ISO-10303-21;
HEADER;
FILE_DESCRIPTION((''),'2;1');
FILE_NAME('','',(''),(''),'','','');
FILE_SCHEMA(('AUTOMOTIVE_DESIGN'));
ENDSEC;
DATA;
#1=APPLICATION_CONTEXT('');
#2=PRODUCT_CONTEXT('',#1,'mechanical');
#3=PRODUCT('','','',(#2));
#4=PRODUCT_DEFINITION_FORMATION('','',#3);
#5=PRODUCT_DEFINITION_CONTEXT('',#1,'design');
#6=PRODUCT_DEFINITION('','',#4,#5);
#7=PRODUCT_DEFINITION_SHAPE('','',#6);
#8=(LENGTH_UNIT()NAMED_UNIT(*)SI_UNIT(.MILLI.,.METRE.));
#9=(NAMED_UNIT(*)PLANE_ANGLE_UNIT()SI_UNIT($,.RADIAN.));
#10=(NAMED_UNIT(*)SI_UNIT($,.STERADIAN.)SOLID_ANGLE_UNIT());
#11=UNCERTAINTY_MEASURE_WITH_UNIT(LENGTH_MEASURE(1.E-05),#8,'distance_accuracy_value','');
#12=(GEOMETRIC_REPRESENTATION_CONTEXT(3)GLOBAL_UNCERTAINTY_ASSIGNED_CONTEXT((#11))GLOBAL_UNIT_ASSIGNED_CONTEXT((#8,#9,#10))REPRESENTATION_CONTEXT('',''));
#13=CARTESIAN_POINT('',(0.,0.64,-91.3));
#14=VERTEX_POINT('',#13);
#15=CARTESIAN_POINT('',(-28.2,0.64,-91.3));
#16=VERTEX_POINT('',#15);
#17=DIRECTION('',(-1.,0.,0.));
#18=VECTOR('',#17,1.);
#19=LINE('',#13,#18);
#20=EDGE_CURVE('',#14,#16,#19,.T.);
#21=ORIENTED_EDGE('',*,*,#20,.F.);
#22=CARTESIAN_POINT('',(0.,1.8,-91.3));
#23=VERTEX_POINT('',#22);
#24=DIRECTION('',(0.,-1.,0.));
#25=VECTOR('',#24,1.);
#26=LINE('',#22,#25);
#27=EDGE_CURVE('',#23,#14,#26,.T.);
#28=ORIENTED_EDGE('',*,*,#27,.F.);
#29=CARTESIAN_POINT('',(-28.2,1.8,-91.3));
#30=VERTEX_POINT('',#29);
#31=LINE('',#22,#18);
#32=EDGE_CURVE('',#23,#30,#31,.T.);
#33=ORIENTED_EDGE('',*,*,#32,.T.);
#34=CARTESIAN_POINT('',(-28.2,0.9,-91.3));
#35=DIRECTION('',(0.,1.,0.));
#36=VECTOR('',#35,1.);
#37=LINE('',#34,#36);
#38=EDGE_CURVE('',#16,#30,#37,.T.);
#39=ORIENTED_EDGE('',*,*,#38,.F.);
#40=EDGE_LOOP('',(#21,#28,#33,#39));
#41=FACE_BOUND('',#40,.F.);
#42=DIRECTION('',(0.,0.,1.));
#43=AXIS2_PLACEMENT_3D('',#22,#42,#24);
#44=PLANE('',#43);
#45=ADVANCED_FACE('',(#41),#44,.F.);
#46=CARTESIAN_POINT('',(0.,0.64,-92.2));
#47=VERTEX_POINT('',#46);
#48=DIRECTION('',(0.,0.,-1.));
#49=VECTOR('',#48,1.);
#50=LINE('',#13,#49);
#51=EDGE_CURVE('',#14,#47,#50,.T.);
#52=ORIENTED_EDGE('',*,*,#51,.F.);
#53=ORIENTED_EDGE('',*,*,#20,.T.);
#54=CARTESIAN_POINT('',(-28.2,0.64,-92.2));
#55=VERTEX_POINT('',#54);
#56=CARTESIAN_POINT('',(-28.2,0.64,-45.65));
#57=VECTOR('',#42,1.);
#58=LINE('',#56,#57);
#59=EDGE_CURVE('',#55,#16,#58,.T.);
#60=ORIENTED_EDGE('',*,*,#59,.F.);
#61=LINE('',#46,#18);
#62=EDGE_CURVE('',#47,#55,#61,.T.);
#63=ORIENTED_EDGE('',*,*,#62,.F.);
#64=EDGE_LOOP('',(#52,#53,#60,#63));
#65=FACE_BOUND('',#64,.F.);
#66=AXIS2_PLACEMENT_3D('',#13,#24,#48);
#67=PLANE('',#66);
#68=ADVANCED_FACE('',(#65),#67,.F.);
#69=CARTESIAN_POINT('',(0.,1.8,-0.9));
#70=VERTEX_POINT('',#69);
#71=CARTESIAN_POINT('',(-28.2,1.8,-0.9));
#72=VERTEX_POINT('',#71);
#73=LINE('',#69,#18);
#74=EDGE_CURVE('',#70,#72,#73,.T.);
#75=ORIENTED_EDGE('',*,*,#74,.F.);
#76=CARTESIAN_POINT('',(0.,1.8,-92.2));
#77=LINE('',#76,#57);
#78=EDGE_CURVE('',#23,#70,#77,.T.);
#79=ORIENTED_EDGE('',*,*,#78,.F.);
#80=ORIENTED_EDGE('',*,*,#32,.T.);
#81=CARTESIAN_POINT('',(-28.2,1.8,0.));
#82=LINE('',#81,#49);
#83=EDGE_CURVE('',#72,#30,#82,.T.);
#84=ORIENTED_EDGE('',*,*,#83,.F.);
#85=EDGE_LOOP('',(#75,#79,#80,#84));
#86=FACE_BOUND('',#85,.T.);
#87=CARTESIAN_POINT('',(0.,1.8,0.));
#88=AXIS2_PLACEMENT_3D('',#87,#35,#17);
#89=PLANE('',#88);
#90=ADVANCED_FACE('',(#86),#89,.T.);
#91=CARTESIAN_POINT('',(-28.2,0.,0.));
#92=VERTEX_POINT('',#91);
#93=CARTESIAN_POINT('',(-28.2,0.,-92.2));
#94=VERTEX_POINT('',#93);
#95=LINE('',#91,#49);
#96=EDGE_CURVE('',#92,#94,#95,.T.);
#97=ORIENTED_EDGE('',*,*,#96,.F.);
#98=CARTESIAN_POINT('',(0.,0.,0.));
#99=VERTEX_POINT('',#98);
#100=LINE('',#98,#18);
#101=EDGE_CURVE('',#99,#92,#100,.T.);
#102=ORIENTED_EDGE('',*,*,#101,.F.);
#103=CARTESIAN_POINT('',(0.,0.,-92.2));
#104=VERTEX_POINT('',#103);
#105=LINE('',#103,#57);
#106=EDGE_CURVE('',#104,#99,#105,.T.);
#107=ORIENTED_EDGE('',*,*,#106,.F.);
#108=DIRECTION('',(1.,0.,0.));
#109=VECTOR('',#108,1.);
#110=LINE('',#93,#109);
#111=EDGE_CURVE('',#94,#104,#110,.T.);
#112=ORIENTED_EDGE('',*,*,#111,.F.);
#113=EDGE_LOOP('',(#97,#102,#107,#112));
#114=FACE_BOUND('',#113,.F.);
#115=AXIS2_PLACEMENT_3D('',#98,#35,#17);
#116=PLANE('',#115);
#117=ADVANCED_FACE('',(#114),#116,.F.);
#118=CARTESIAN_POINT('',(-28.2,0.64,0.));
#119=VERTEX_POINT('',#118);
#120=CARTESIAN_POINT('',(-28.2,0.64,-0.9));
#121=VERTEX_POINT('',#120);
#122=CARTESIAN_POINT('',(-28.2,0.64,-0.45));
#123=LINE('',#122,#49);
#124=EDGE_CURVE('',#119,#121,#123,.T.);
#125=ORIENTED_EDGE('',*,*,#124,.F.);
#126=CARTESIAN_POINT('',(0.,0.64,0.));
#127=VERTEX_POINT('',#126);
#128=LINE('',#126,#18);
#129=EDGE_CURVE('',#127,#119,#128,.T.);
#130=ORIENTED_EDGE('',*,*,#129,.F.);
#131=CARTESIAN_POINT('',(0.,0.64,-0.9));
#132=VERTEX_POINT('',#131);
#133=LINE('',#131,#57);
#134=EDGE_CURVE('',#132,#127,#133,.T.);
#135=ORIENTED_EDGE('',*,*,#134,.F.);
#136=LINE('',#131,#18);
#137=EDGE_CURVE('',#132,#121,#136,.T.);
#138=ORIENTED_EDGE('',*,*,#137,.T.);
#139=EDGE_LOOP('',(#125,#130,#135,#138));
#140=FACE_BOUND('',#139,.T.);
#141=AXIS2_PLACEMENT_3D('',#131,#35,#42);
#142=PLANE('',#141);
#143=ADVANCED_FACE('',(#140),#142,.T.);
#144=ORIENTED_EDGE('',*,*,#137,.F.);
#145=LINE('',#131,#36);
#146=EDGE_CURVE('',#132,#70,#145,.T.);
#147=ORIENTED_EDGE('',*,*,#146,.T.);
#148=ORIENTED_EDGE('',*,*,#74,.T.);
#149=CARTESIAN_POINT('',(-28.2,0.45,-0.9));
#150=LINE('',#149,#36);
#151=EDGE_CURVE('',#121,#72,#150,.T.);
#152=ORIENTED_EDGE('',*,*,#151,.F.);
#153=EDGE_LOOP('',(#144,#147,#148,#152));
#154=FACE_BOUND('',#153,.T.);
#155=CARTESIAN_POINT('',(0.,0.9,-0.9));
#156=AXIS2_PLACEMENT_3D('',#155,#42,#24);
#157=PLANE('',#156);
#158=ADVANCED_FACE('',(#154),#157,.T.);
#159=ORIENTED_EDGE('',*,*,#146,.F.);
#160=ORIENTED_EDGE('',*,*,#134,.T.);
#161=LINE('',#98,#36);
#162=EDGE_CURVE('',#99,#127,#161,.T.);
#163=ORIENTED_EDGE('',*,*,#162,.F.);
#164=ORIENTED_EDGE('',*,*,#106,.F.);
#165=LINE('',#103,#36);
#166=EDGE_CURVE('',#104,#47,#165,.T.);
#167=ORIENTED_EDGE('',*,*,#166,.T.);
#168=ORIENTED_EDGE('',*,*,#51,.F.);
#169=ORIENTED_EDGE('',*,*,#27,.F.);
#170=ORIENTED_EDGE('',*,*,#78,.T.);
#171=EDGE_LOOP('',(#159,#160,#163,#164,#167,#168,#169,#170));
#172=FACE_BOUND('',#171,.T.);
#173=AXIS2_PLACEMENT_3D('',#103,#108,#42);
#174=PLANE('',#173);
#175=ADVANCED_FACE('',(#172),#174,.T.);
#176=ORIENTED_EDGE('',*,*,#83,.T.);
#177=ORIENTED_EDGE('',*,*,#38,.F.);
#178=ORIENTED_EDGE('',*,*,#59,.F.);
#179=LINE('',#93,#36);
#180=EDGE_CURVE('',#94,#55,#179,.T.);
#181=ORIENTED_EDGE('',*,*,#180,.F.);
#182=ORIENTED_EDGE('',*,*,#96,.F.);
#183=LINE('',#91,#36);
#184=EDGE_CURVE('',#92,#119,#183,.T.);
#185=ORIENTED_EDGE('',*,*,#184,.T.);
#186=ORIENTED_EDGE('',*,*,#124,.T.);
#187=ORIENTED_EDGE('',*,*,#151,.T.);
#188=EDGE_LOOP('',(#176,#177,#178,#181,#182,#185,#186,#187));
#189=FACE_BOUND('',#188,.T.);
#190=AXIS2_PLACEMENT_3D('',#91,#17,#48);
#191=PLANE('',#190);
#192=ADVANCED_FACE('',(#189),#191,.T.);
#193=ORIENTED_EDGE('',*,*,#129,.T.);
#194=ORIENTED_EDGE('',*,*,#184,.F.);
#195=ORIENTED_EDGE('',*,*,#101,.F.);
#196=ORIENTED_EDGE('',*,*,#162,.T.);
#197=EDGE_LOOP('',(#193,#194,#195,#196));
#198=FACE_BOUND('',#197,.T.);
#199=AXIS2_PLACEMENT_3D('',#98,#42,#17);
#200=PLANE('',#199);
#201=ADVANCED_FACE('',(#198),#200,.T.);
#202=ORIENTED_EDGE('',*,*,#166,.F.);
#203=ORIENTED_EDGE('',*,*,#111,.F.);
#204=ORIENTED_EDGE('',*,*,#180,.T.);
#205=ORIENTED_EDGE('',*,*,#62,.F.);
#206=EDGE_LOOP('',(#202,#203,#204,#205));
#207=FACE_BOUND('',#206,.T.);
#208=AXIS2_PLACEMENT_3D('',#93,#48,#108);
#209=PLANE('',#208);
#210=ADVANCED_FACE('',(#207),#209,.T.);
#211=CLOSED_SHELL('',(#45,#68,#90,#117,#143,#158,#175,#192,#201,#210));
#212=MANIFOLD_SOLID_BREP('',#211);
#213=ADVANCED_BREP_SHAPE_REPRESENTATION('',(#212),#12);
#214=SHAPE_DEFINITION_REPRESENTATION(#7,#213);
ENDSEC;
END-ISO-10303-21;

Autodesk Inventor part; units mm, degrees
ref_plane "YZ Plane" through (0, 0, 0) normal (1, 0, 0) x (0, 1, 0)
ref_plane "XZ Plane" through (0, 0, 0) normal (0, 1, 0) x (-1, 0, 0)
ref_plane "XY Plane" through (0, 0, 0) normal (0, 0, 1) x (1, 0, 0)
sketch "草图1" plane through (0, 0, 0) normal (0, 1, 0) x (-1, 0, 0)
  line L0 (0, 0) -> (28.2, 0)
  line L1 (28.2, 0) -> (28.2, -92.2)
  line L2 (28.2, -92.2) -> (0, -92.2)
  line L3 (0, -92.2) -> (0, 0)
  dimension "d0" = 28.2
  dimension "d1" = 92.2
extrude "拉伸1" add sketch "草图1" along normal blind 1.8
sketch "草图2" plane through (0, 0, 0) normal (1, 0, 0) x (0, 0, -1)
  line L0 (0, 0) -> (0, 1.8) projected
  line L1 (0, 1.8) -> (0.9, 1.8)
  line L2 (0.9, 1.8) -> (0.9, 0.9)
  line L3 (0.9, 0.9) -> (0, 0.9)
  line L4 (0, 0.9) -> (0, 1.8)
  line L5 (92.2, 0) -> (0, 0) projected
  line L6 (0, 0) -> (0.9, 0)
  line L7 (0.9, 0) -> (0.9, 0.64)
  line L8 (0.9, 0.64) -> (0, 0.64)
  line L9 (0, 0.64) -> (0, 0)
  line L10 (92.2, 1.8) -> (0, 1.8) projected
  line L11 (0, 1.8) -> (0.9, 1.8)
  line L12 (0.9, 1.8) -> (0.9, 0.64)
  line L13 (0.9, 0.64) -> (0, 0.64)
  line L14 (0, 0.64) -> (0, 1.8)
  line L15 (92.2, 1.8) -> (91.3, 1.8)
  line L16 (91.3, 1.8) -> (91.3, 0.64)
  line L17 (91.3, 0.64) -> (92.2, 0.64)
  line L18 (92.2, 0.64) -> (92.2, 1.8)
  line L19 (91.3, 0.64) -> (92.2, 0.64)
  line L20 (92.2, 0.64) -> (92.2, 0)
  line L21 (92.2, 0) -> (91.3, 0)
  line L22 (91.3, 0) -> (91.3, 0.64)
  dimension "d4" = 0.9
  dimension "d5" = 0.64
  dimension "d6" = 0.9
extrude "拉伸2" cut sketch "草图2" against normal through all contours L0 L3 L12 L8 | L0 L1 L2 L3 | L16 L10 L18 L17
properties part number "top"
